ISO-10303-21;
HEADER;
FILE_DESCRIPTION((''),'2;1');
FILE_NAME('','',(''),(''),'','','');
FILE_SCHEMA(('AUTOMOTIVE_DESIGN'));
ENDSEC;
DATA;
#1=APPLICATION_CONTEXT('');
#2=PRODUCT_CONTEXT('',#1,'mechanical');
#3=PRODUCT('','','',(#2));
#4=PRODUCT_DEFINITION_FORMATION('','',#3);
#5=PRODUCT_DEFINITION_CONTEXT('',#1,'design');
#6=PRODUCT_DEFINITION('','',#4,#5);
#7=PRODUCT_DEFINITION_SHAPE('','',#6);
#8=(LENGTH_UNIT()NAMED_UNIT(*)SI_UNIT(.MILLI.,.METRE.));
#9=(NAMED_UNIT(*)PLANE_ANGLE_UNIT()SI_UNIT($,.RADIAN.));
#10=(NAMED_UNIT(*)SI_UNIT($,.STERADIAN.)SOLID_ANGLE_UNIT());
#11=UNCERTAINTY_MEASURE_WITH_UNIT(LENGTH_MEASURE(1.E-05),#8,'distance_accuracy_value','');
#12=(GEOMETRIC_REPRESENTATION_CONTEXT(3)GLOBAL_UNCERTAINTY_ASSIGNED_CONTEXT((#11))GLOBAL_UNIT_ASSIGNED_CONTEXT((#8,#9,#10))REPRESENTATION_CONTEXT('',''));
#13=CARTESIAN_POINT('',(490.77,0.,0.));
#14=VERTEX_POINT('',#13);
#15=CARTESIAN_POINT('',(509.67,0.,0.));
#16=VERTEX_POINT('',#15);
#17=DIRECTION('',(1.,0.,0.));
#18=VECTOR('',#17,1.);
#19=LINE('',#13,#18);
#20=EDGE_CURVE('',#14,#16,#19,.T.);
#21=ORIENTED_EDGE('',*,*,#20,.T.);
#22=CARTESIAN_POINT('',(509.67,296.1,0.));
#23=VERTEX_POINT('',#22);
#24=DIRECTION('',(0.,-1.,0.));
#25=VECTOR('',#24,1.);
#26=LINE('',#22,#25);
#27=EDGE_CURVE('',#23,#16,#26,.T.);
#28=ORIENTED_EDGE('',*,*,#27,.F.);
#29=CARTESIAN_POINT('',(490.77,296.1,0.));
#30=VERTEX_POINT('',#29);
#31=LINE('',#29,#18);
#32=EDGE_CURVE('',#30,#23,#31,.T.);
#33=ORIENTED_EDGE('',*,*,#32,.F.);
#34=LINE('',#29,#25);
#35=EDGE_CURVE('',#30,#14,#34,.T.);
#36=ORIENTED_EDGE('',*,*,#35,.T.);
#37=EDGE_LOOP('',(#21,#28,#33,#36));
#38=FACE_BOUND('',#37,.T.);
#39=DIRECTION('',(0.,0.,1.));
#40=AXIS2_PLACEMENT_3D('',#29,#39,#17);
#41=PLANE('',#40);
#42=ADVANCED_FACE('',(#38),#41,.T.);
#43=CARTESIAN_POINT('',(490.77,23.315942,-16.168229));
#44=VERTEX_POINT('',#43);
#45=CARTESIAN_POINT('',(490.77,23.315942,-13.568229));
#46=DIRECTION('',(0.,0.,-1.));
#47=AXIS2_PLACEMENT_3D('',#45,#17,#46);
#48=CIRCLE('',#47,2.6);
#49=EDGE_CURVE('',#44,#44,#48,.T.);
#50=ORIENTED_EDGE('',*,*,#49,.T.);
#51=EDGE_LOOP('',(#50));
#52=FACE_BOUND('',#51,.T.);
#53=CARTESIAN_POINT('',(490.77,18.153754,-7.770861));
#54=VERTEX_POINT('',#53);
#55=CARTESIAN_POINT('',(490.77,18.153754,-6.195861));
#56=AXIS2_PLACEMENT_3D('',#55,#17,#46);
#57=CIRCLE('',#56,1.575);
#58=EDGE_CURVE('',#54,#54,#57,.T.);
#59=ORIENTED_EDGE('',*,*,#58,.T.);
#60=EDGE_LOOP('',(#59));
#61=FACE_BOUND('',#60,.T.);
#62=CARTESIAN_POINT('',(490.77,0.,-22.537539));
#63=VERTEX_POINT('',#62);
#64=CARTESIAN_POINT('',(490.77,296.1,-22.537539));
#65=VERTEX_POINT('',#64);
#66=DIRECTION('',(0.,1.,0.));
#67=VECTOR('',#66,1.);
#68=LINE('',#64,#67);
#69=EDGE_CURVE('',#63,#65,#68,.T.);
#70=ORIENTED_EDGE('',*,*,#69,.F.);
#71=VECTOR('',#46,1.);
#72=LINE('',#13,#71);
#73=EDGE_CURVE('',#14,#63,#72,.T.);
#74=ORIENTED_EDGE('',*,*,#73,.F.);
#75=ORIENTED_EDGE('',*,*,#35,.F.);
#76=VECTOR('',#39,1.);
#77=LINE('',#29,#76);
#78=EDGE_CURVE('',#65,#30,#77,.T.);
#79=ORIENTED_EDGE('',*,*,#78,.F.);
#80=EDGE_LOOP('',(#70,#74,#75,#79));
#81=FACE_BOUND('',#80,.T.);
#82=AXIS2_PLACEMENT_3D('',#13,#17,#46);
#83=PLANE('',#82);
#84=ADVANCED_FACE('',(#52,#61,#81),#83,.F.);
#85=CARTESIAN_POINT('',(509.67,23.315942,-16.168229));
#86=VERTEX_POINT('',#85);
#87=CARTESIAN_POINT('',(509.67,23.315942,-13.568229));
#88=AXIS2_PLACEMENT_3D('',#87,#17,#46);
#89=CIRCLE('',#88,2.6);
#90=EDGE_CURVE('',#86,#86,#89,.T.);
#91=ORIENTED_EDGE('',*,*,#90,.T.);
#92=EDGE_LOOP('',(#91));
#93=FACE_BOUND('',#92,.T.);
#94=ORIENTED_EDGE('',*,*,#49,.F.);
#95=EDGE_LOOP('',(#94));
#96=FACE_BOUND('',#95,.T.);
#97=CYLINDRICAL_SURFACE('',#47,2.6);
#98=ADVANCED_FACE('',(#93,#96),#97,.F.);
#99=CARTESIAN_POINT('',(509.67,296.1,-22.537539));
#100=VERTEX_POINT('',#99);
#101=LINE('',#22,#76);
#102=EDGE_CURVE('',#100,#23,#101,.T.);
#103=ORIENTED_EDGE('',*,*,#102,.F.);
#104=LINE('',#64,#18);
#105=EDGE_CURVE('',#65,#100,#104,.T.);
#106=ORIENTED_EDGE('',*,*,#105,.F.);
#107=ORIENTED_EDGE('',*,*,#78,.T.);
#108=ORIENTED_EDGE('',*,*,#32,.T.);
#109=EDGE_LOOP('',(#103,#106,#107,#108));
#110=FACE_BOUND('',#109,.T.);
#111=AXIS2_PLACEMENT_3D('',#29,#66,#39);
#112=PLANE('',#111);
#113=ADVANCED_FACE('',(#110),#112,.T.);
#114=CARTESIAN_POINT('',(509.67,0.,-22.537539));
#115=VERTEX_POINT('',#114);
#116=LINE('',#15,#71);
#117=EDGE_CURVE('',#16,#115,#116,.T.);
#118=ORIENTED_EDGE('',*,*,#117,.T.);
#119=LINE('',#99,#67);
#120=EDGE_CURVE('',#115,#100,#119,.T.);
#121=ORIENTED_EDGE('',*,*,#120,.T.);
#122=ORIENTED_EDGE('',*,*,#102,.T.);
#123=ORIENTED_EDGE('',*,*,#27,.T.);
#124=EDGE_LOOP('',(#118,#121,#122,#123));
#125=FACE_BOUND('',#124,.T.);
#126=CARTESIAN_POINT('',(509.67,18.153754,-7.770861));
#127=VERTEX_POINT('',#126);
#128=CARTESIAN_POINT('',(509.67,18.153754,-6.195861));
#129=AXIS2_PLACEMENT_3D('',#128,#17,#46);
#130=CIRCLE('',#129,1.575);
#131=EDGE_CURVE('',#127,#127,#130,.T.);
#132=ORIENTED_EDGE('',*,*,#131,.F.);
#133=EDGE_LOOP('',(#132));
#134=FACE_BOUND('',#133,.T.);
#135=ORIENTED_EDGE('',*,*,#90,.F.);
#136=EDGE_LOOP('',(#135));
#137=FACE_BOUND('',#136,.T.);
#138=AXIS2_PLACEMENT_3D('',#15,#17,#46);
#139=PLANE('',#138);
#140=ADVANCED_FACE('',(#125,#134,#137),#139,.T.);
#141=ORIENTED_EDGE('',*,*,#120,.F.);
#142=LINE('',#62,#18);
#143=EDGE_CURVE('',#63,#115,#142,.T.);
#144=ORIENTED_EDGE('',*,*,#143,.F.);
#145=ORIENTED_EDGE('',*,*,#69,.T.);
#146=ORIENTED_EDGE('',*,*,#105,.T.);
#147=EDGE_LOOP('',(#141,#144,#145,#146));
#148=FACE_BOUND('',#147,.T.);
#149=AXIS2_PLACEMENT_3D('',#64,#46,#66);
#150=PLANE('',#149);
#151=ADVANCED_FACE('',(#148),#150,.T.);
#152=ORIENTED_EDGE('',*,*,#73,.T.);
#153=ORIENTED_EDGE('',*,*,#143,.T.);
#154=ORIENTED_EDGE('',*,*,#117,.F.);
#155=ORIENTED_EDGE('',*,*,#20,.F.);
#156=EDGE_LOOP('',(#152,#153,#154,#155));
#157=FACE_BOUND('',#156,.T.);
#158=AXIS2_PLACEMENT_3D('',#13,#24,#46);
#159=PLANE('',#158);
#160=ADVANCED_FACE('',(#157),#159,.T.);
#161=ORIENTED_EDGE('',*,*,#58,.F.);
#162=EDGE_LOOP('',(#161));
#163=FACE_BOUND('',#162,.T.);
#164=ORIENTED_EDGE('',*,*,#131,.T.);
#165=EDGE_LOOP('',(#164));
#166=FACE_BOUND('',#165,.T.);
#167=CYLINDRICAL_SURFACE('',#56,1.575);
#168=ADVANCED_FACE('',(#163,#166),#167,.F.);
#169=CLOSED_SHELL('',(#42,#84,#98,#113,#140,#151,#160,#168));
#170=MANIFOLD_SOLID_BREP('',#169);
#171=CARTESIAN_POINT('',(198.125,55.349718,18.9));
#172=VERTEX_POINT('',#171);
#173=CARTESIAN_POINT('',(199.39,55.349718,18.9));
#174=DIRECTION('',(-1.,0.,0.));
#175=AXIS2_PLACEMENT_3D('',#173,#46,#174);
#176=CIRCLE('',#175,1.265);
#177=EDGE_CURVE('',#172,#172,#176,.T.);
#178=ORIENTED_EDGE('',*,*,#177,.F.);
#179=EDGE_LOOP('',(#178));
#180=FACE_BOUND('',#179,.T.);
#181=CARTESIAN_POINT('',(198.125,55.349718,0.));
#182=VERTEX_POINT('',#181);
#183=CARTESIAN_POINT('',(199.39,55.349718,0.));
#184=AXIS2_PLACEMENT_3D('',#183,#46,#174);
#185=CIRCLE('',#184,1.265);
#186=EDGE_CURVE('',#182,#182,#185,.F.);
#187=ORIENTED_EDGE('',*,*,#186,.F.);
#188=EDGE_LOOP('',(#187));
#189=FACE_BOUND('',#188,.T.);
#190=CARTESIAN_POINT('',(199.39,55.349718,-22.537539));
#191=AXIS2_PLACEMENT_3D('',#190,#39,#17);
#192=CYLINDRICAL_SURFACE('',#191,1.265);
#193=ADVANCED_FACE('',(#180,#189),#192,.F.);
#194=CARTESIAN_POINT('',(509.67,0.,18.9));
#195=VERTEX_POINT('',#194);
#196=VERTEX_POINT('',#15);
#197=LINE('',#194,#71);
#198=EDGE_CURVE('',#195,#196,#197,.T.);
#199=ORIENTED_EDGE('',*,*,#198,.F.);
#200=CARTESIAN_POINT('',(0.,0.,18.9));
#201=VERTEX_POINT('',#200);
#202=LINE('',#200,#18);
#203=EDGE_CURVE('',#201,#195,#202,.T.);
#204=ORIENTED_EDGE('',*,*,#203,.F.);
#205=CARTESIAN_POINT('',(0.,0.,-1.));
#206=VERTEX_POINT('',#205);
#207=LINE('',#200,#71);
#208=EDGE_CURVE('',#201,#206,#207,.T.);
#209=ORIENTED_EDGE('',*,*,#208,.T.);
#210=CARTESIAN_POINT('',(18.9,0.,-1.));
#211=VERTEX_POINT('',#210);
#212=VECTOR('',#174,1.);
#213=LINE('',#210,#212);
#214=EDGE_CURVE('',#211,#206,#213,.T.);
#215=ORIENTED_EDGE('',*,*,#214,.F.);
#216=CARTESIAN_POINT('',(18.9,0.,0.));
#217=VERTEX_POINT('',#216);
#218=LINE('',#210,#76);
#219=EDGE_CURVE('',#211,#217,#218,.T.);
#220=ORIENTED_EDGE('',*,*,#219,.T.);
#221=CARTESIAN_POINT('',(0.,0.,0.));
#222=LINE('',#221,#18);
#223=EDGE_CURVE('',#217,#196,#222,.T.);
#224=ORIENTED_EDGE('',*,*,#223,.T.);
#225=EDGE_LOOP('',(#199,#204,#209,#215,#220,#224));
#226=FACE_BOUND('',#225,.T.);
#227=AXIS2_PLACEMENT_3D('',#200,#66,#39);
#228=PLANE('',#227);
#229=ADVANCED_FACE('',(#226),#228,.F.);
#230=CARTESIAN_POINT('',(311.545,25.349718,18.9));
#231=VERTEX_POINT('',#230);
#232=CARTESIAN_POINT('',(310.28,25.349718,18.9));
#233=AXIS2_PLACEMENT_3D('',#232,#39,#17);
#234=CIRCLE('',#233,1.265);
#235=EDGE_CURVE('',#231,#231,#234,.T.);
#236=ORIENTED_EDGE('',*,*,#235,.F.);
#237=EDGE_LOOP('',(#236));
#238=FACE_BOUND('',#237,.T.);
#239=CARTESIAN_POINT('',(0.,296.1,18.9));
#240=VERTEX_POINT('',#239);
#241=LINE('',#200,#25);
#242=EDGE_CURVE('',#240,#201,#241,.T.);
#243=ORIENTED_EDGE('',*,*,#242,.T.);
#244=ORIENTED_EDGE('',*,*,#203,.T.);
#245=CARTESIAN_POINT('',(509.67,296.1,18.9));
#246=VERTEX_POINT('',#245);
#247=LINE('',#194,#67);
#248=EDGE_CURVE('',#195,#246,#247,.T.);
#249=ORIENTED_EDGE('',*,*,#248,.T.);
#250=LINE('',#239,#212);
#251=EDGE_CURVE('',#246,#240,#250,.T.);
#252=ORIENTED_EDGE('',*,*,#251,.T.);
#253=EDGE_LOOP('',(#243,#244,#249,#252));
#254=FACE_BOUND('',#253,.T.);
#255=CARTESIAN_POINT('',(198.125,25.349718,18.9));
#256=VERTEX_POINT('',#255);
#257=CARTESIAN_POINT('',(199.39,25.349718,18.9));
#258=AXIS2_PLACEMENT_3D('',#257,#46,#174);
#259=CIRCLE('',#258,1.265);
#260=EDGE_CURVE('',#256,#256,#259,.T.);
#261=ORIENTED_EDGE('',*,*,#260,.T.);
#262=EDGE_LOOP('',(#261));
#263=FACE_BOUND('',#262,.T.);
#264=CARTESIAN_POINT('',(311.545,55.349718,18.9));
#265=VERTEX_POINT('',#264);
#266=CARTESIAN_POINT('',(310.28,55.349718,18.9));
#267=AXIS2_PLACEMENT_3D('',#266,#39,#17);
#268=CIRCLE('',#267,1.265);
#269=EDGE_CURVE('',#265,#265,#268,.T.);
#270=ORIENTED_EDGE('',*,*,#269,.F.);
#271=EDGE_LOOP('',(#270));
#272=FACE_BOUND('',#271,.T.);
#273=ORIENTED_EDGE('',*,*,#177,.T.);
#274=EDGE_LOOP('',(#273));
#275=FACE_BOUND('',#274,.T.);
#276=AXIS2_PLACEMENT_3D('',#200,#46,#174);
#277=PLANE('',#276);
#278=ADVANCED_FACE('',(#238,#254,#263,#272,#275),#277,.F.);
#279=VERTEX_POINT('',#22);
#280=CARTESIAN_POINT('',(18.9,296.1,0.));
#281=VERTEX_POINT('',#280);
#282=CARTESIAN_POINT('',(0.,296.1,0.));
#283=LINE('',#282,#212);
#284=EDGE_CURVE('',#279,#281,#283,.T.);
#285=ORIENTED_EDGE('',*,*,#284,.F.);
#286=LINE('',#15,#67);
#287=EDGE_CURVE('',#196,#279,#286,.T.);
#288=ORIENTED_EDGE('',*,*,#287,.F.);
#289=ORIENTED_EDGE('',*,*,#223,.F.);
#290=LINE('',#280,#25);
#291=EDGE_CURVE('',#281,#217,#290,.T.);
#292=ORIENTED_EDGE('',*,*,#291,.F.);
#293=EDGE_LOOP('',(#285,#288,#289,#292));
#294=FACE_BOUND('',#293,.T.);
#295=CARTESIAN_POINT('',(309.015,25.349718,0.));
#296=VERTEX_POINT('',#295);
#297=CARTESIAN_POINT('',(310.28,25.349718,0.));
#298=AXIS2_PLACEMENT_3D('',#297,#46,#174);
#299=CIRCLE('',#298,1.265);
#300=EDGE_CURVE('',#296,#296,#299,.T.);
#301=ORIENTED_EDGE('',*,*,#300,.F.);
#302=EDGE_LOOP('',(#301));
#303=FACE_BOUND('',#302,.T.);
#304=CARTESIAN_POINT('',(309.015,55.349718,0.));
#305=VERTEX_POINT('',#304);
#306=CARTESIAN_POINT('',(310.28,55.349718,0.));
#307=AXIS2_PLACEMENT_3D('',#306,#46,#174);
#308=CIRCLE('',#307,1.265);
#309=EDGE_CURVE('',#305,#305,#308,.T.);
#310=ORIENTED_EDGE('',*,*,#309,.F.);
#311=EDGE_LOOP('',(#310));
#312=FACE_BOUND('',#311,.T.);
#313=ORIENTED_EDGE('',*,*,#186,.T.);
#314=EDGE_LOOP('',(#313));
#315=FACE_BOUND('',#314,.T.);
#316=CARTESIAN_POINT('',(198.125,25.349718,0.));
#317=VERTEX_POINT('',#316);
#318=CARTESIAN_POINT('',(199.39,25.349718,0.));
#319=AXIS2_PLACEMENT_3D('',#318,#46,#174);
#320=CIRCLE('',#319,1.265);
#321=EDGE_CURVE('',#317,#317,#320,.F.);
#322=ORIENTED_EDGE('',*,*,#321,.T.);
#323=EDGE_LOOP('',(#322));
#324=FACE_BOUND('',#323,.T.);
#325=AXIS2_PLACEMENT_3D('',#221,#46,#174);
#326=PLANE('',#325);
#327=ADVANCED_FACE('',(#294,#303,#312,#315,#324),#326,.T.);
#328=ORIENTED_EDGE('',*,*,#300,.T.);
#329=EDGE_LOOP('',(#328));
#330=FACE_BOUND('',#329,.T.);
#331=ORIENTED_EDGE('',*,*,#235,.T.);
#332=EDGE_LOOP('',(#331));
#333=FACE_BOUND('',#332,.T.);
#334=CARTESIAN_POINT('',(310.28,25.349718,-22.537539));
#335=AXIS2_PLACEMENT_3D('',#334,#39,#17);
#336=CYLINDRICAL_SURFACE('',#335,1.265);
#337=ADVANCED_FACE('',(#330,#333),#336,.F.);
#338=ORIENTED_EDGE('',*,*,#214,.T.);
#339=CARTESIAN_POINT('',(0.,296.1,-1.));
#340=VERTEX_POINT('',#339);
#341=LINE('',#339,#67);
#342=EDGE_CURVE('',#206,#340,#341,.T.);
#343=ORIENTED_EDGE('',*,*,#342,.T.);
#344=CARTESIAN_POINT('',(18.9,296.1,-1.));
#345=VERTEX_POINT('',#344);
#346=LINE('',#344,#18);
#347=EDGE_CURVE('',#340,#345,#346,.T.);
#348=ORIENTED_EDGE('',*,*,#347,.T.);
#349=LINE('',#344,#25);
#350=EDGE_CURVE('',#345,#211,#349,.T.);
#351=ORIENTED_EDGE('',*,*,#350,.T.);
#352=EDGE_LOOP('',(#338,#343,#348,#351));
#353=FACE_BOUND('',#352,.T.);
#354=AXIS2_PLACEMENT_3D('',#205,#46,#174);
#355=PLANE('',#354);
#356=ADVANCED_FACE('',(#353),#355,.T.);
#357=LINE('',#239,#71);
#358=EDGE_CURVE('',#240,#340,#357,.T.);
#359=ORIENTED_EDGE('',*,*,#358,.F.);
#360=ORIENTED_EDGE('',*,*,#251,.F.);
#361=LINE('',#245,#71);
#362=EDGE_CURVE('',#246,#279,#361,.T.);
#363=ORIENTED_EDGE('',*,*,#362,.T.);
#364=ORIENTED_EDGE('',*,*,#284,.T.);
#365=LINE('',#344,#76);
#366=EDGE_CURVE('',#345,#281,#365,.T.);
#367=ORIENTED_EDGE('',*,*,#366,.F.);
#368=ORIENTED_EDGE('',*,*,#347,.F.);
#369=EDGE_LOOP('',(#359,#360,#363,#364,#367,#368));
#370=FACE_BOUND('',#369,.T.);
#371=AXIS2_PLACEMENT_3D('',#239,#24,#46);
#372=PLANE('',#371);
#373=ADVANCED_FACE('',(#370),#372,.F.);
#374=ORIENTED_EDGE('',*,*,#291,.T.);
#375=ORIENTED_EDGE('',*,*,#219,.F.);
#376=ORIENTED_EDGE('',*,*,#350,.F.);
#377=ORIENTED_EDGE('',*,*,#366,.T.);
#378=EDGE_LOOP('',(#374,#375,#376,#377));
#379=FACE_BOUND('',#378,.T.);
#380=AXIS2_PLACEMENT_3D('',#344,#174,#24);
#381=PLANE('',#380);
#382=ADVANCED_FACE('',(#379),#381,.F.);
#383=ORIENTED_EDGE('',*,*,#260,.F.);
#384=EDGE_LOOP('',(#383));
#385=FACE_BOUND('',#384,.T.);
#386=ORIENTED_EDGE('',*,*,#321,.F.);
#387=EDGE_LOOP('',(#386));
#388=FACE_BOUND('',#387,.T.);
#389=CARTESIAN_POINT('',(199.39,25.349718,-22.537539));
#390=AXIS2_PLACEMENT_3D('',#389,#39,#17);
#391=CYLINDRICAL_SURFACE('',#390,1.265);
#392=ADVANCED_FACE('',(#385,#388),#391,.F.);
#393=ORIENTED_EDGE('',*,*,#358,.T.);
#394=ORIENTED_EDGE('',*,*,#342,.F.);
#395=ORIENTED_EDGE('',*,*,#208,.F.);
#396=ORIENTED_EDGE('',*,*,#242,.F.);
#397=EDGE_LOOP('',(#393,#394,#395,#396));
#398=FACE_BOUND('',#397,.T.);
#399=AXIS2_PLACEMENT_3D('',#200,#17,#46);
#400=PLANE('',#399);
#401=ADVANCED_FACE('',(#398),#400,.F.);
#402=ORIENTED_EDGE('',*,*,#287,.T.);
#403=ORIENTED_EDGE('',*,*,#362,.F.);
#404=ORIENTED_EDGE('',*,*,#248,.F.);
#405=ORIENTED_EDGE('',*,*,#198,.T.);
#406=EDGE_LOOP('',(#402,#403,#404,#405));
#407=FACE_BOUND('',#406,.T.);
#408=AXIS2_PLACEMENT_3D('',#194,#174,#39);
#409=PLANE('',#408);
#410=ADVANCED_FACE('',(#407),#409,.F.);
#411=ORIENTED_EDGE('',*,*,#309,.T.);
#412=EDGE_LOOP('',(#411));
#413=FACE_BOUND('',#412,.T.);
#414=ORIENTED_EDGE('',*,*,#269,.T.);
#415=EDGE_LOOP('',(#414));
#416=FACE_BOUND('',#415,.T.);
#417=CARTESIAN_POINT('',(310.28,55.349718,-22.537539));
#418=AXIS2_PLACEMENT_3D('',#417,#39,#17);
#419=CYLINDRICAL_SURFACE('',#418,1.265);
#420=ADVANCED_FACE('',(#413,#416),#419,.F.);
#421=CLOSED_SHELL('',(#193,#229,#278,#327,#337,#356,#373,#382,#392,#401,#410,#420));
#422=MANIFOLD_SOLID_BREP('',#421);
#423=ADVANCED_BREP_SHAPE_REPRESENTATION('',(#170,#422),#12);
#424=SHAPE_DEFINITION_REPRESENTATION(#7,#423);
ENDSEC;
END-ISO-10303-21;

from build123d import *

# Parameters (mm, degrees)
CROQUIS1_W              = 509.67
CROQUIS1_H              = 296.1
SALIENTE_EXTRUIR1_DEPTH = 18.9
CROQUIS3_W              = 22.537538862
CROQUIS3_H              = 296.1
CROQUIS3_R              = 1.575
CROQUIS3_R_2            = 2.6
SALIENTE_EXTRUIR2_DEPTH = 18.9
CROQUIS9_W              = 18.9
CROQUIS9_H              = 296.1
SALIENTE_EXTRUIR6_DEPTH = 1
CROQUIS11_R             = 1.265
CORTAR_EXTRUIR2_DEPTH   = 591.894058632


with BuildPart() as part:
    # Croquis1 → Saliente-Extruir1 (new body)
    with BuildSketch(Plane.XY):
        with Locations((254.835, 148.05)):
            Rectangle(CROQUIS1_W, CROQUIS1_H)
    extrude(amount=SALIENTE_EXTRUIR1_DEPTH)

    # Croquis9 → Saliente-Extruir6 (add)
    with BuildSketch(Plane(origin=(0, 0, 0), x_dir=(-1, 0, 0), z_dir=(0, 0, -1))):
        with Locations((-9.45, 148.05)):
            Rectangle(CROQUIS9_W, CROQUIS9_H)
    extrude(amount=SALIENTE_EXTRUIR6_DEPTH)

    # Croquis11 → Cortar-Extruir2 (cut, through all)
    with BuildSketch(Plane.XY.offset(18.9)):
        with Locations((310.28, 55.349717972)):
            Circle(CROQUIS11_R)
        with Locations((310.28, 25.349717972)):
            Circle(CROQUIS11_R)
        with Locations(Location((199.39, 25.349717972, 0), (0, 0, 180))):
            Circle(CROQUIS11_R)
        with Locations(Location((199.39, 55.349717972, 0), (0, 0, 180))):
            Circle(CROQUIS11_R)
    extrude(amount=-CORTAR_EXTRUIR2_DEPTH, mode=Mode.SUBTRACT)


with BuildPart() as body_2:
    # Croquis3 → Saliente-Extruir2 (new body)
    with BuildSketch(Plane(origin=(509.67, 0, 0), x_dir=(0, 0, -1), z_dir=(1, 0, 0))):
        with Locations((11.268769431, 148.05)):
            Rectangle(CROQUIS3_W, CROQUIS3_H)
        with Locations((6.195860675, 18.153754462)):
            Circle(CROQUIS3_R, mode=Mode.SUBTRACT)
        with Locations((13.568229074, 23.31594239)):
            Circle(CROQUIS3_R_2, mode=Mode.SUBTRACT)
    extrude(amount=-SALIENTE_EXTRUIR2_DEPTH)


solid = Compound([part.part, body_2.part])
